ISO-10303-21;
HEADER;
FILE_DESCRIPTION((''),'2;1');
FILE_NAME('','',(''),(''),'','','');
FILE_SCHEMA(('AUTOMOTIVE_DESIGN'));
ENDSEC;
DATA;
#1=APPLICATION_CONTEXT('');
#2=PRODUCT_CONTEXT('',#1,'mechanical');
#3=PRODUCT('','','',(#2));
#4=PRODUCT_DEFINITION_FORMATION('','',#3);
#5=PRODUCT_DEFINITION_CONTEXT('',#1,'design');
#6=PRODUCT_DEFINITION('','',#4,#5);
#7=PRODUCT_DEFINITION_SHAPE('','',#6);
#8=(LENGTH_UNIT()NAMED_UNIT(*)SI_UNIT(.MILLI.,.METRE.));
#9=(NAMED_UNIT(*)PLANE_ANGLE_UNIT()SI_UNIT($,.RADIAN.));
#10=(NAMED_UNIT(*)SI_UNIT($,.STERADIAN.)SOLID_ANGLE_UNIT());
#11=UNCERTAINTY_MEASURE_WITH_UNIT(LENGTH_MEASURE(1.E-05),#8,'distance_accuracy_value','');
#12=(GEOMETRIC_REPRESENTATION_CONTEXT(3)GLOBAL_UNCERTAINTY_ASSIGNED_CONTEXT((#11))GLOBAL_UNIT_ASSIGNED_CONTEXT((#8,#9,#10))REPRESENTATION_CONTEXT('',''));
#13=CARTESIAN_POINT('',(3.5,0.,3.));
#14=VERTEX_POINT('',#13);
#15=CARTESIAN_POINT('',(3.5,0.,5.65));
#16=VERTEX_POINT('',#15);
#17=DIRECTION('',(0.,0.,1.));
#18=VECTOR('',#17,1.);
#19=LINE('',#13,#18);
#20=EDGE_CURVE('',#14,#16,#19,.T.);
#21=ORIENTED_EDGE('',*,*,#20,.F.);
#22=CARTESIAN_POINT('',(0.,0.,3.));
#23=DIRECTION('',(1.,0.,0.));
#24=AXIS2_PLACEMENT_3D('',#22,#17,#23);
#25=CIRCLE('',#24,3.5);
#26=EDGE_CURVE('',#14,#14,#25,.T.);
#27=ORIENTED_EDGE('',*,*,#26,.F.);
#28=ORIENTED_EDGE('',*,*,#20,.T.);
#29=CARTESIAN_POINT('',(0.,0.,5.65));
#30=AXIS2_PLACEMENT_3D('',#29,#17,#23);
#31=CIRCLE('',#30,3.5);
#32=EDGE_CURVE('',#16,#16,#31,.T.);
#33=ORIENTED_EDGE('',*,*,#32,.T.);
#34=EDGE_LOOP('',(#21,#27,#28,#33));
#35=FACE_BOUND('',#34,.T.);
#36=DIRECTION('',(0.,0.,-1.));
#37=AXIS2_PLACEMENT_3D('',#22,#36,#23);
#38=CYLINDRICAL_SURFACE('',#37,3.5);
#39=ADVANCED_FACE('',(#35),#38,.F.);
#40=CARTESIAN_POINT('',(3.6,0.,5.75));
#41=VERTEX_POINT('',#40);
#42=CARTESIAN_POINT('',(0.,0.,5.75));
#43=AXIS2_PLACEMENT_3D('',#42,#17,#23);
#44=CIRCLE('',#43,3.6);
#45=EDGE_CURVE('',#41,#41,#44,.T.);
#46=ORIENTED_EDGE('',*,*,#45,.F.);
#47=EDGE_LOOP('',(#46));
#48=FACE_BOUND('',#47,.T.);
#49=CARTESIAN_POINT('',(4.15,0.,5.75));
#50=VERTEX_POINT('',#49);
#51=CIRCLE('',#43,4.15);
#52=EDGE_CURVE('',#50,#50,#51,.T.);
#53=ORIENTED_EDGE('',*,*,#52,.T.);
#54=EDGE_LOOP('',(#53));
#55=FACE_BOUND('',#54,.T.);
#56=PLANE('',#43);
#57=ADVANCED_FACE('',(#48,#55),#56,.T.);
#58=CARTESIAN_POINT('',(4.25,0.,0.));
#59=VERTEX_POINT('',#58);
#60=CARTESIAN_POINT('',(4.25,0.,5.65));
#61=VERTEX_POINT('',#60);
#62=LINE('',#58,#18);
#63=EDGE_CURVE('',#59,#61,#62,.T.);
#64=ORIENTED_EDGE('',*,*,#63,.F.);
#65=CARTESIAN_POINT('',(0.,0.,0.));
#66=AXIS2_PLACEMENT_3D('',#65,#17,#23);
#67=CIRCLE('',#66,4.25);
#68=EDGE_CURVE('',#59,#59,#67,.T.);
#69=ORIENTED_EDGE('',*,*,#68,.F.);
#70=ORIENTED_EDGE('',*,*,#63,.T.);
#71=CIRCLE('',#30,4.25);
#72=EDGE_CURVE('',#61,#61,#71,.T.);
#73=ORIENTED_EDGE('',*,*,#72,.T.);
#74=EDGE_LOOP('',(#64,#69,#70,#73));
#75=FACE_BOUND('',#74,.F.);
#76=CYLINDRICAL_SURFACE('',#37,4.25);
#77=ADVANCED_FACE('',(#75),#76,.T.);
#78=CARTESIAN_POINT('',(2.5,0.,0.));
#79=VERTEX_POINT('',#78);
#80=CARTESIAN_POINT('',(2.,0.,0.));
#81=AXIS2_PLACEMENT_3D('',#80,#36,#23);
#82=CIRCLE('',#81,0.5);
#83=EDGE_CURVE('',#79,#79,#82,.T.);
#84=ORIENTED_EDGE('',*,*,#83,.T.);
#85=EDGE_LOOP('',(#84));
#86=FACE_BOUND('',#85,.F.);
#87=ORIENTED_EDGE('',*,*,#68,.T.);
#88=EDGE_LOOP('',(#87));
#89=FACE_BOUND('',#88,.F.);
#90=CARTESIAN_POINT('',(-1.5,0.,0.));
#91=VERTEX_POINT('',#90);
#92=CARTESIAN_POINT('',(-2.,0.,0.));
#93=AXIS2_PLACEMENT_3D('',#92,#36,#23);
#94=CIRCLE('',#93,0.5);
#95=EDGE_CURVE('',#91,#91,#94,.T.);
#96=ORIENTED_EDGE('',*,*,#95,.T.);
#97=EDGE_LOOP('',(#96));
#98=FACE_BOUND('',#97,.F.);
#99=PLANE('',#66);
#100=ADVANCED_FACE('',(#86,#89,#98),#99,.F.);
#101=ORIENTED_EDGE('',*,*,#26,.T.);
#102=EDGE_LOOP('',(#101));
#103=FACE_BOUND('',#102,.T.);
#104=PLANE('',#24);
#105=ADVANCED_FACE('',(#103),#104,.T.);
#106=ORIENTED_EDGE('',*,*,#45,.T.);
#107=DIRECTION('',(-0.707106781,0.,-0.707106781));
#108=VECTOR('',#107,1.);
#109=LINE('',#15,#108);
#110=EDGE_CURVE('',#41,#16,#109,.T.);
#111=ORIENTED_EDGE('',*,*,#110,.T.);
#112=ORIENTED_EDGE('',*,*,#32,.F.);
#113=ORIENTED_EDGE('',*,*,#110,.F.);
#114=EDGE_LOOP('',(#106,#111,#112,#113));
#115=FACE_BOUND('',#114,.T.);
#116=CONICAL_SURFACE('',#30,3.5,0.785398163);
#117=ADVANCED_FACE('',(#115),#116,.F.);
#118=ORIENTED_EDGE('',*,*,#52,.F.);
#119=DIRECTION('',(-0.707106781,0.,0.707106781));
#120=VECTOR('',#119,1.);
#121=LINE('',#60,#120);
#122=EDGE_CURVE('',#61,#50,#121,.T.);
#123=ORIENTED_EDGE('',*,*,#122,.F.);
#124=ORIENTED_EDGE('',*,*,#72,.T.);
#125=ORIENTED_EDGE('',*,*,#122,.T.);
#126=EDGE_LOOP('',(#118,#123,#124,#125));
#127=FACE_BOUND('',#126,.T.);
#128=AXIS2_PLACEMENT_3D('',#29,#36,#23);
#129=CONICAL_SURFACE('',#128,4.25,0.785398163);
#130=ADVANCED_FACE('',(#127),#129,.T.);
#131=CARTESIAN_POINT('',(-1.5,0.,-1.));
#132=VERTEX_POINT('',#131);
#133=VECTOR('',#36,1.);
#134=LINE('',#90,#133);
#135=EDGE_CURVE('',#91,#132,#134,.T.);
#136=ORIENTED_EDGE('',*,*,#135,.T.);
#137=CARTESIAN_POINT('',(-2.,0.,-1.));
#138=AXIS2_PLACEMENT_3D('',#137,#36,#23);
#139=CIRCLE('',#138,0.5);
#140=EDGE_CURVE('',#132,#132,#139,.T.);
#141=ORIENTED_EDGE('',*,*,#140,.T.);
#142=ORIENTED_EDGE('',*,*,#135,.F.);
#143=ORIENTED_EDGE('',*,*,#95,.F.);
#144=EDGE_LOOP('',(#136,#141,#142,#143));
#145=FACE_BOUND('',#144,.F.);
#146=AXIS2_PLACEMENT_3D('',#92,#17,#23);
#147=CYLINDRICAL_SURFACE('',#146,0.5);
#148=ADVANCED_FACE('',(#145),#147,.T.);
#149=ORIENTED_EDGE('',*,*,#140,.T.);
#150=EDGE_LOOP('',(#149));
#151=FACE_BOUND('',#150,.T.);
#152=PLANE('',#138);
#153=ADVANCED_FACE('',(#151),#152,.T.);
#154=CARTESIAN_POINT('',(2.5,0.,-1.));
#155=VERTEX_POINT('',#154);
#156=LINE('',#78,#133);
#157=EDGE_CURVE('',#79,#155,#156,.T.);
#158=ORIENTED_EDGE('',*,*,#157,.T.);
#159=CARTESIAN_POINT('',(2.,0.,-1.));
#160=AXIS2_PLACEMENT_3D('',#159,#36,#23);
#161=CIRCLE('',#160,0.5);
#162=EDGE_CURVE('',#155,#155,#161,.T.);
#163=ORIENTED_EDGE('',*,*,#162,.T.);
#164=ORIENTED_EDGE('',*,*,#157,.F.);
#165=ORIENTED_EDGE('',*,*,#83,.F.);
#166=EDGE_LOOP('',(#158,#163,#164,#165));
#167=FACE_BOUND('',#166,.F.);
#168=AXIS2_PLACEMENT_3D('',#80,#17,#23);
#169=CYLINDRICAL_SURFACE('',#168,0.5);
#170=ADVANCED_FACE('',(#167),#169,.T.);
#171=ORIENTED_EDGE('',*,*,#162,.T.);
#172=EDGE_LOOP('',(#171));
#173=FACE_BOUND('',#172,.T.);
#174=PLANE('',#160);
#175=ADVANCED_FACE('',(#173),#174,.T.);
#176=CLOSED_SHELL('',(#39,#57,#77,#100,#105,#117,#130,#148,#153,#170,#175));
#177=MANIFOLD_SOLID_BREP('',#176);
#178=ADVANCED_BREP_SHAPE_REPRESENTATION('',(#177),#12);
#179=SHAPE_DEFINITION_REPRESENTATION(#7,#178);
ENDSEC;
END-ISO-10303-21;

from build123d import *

# Parameters (mm, degrees)
F0_R     = 4.25
F1_DEPTH = 3
F2_R     = 4.25
F2_R_2   = 3.5
F3_DEPTH = 2.75
F4_R     = 0.5
F5_DEPTH = 1
F6_SIZE  = 0.1


with BuildPart() as f1:
    # F0 (on Top) → F1 (new body)
    with BuildSketch(Plane.XY):
        Circle(F0_R)
    extrude(amount=F1_DEPTH)

    # F2 (on face) → F3 (join)
    with BuildSketch(Plane.XY.offset(3)):
        Circle(F2_R)
        Circle(F2_R_2, mode=Mode.SUBTRACT)
    extrude(amount=F3_DEPTH)

    # F4 (on face) → F5 (join)
    with BuildSketch(Plane(origin=(0, 0, 0), x_dir=(1, 0, 0), z_dir=(0, 0, -1))):
        with Locations((-2, 0)):
            Circle(F4_R)
        with Locations((2, 0)):
            Circle(F4_R)
    extrude(amount=F5_DEPTH)

    # F6
    f6_edges = [f1.edges().sort_by_distance(p)[0] for p in [
        (-3.5, 0, 5.75),
        (-4.25, 0, 5.75),
    ]]
    chamfer(f6_edges, length=F6_SIZE)


solid = f1.part
